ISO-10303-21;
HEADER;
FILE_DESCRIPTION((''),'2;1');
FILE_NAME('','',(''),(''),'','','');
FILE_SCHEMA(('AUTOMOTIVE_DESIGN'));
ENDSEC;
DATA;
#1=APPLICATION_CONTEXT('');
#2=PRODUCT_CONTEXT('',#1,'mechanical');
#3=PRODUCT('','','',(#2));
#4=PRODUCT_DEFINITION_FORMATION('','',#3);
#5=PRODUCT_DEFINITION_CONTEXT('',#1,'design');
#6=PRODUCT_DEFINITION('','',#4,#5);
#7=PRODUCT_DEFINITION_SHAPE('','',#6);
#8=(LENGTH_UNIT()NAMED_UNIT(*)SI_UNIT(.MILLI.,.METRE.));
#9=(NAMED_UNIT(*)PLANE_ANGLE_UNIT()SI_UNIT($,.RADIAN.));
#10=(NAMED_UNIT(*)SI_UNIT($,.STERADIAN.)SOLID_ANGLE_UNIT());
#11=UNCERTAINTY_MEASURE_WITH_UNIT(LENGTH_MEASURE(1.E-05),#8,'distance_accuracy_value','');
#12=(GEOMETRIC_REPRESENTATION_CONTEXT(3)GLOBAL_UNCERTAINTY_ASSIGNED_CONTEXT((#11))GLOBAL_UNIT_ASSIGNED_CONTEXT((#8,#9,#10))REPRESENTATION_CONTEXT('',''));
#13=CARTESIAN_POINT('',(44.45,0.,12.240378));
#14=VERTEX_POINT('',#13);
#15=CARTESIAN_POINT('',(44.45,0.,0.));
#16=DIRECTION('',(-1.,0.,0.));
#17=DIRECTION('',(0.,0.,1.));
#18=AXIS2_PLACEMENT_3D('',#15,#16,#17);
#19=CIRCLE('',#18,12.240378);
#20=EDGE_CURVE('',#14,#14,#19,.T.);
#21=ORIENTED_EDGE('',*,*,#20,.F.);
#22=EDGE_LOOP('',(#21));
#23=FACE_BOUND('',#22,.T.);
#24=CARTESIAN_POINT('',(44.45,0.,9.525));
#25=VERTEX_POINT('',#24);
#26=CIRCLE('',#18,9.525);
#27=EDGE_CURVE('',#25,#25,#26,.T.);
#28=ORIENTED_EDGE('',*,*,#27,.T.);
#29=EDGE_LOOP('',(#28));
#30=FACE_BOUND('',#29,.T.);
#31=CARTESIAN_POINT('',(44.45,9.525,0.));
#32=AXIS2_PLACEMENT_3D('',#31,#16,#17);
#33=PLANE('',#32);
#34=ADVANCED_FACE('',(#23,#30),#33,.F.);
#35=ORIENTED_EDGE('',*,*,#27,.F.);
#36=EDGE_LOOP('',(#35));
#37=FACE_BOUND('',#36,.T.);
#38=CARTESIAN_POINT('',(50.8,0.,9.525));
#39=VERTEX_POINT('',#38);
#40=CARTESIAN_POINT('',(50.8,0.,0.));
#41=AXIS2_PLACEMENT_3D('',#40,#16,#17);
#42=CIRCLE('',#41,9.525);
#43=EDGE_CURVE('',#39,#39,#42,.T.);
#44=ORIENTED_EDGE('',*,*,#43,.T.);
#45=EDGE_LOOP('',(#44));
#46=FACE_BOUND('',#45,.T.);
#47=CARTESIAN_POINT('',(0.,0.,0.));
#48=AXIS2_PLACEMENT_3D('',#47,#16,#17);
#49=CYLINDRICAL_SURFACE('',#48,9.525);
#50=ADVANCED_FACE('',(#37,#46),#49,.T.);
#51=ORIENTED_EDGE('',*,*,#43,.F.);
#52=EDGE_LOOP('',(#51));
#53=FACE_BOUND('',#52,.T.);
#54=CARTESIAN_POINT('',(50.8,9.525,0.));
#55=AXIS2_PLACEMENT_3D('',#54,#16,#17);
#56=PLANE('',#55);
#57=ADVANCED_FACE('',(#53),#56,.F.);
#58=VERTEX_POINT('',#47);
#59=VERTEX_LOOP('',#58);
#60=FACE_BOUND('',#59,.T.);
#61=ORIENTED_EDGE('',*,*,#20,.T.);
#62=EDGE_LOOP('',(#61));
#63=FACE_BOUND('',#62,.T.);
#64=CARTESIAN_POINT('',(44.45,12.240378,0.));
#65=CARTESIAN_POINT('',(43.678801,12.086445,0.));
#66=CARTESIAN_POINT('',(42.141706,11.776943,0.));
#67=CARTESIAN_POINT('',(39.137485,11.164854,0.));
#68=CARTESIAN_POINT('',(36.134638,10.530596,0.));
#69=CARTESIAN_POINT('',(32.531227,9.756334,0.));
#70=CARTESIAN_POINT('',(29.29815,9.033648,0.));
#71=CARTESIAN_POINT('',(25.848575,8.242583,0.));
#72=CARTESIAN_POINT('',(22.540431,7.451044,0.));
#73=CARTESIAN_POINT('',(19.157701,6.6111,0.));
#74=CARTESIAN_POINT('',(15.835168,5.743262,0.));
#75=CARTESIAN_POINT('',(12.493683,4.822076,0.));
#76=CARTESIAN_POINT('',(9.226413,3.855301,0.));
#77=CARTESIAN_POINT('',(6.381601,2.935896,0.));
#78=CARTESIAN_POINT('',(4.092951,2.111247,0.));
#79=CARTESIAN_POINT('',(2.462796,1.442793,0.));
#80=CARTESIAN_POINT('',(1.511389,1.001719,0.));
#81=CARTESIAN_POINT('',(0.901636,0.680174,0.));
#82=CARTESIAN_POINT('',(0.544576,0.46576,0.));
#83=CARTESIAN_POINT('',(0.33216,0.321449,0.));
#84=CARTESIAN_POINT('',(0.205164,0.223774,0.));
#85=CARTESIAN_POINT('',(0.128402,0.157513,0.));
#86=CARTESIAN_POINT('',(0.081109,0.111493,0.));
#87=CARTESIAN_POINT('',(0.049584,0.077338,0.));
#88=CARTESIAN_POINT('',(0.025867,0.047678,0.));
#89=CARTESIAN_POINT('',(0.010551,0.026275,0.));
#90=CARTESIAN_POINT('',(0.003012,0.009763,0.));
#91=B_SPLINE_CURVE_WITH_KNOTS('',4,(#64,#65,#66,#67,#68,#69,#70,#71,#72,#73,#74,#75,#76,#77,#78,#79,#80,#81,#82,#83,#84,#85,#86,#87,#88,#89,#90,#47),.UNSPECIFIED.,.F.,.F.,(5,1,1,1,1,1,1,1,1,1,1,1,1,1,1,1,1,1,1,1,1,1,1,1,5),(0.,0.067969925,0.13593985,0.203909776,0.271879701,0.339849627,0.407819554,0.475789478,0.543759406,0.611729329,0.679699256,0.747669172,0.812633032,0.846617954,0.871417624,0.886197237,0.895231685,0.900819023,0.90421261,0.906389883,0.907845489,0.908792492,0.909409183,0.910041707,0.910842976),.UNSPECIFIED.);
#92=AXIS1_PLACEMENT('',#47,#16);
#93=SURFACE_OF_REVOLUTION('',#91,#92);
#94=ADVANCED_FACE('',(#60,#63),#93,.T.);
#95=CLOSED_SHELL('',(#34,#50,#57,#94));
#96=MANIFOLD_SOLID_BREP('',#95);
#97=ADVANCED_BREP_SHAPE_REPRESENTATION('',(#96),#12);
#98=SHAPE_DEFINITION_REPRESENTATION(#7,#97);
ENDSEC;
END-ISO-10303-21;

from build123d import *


with BuildPart() as part:
    # Sketch1 → Revolve1 (revolve)
    with BuildSketch(Plane.XY):
        with BuildLine():
            Line((0, 0), (50.8, 0))
            Line((50.8, 0), (50.8, 9.525))
            Line((50.8, 9.525), (44.45, 9.525))
            Line((44.45, 9.525), (44.45, 12.240378041))
            add(Edge.make_bspline(
                [(0, 0), (0.003011993, 0.009762905), (0.010551133, 0.02627483), (0.02586653, 0.047678002), (0.049584294, 0.077338244), (0.081109462, 0.111493124), (0.128401712, 0.157512982), (0.205163795, 0.22377356), (0.332159509, 0.321448772), (0.544576149, 0.465759826), (0.901635526, 0.680174208), (1.511388987, 1.001718774), (2.462796137, 1.442793313), (4.09295059, 2.111247407), (6.381601098, 2.935896342), (9.2264135, 3.855300668), (12.493682634, 4.822076041), (15.835168377, 5.743262471), (19.15770136, 6.611100285), (22.540430849, 7.451044456), (25.848575151, 8.242583043), (29.298149728, 9.033648458), (32.531227192, 9.756334274), (36.13463826, 10.530595732), (39.137485197, 11.164854423), (42.141706028, 11.776943106), (43.678800663, 12.086444554), (44.45, 12.240378041)],
                knots=[0, 0, 0, 0, 0, 0.000801269, 0.001433793, 0.002050484, 0.002997487, 0.004453093, 0.006630366, 0.010023953, 0.015611291, 0.024645739, 0.039425352, 0.064225022, 0.098209944, 0.163173804, 0.23114372, 0.299113647, 0.36708357, 0.435053499, 0.503023422, 0.570993349, 0.638963275, 0.7069332, 0.774903126, 0.842873051, 0.910842976, 0.910842976, 0.910842976, 0.910842976, 0.910842976], degree=4))
        make_face()
    revolve(axis=Axis((0, 0, 0), (1, 0, 0)))


solid = part.part
